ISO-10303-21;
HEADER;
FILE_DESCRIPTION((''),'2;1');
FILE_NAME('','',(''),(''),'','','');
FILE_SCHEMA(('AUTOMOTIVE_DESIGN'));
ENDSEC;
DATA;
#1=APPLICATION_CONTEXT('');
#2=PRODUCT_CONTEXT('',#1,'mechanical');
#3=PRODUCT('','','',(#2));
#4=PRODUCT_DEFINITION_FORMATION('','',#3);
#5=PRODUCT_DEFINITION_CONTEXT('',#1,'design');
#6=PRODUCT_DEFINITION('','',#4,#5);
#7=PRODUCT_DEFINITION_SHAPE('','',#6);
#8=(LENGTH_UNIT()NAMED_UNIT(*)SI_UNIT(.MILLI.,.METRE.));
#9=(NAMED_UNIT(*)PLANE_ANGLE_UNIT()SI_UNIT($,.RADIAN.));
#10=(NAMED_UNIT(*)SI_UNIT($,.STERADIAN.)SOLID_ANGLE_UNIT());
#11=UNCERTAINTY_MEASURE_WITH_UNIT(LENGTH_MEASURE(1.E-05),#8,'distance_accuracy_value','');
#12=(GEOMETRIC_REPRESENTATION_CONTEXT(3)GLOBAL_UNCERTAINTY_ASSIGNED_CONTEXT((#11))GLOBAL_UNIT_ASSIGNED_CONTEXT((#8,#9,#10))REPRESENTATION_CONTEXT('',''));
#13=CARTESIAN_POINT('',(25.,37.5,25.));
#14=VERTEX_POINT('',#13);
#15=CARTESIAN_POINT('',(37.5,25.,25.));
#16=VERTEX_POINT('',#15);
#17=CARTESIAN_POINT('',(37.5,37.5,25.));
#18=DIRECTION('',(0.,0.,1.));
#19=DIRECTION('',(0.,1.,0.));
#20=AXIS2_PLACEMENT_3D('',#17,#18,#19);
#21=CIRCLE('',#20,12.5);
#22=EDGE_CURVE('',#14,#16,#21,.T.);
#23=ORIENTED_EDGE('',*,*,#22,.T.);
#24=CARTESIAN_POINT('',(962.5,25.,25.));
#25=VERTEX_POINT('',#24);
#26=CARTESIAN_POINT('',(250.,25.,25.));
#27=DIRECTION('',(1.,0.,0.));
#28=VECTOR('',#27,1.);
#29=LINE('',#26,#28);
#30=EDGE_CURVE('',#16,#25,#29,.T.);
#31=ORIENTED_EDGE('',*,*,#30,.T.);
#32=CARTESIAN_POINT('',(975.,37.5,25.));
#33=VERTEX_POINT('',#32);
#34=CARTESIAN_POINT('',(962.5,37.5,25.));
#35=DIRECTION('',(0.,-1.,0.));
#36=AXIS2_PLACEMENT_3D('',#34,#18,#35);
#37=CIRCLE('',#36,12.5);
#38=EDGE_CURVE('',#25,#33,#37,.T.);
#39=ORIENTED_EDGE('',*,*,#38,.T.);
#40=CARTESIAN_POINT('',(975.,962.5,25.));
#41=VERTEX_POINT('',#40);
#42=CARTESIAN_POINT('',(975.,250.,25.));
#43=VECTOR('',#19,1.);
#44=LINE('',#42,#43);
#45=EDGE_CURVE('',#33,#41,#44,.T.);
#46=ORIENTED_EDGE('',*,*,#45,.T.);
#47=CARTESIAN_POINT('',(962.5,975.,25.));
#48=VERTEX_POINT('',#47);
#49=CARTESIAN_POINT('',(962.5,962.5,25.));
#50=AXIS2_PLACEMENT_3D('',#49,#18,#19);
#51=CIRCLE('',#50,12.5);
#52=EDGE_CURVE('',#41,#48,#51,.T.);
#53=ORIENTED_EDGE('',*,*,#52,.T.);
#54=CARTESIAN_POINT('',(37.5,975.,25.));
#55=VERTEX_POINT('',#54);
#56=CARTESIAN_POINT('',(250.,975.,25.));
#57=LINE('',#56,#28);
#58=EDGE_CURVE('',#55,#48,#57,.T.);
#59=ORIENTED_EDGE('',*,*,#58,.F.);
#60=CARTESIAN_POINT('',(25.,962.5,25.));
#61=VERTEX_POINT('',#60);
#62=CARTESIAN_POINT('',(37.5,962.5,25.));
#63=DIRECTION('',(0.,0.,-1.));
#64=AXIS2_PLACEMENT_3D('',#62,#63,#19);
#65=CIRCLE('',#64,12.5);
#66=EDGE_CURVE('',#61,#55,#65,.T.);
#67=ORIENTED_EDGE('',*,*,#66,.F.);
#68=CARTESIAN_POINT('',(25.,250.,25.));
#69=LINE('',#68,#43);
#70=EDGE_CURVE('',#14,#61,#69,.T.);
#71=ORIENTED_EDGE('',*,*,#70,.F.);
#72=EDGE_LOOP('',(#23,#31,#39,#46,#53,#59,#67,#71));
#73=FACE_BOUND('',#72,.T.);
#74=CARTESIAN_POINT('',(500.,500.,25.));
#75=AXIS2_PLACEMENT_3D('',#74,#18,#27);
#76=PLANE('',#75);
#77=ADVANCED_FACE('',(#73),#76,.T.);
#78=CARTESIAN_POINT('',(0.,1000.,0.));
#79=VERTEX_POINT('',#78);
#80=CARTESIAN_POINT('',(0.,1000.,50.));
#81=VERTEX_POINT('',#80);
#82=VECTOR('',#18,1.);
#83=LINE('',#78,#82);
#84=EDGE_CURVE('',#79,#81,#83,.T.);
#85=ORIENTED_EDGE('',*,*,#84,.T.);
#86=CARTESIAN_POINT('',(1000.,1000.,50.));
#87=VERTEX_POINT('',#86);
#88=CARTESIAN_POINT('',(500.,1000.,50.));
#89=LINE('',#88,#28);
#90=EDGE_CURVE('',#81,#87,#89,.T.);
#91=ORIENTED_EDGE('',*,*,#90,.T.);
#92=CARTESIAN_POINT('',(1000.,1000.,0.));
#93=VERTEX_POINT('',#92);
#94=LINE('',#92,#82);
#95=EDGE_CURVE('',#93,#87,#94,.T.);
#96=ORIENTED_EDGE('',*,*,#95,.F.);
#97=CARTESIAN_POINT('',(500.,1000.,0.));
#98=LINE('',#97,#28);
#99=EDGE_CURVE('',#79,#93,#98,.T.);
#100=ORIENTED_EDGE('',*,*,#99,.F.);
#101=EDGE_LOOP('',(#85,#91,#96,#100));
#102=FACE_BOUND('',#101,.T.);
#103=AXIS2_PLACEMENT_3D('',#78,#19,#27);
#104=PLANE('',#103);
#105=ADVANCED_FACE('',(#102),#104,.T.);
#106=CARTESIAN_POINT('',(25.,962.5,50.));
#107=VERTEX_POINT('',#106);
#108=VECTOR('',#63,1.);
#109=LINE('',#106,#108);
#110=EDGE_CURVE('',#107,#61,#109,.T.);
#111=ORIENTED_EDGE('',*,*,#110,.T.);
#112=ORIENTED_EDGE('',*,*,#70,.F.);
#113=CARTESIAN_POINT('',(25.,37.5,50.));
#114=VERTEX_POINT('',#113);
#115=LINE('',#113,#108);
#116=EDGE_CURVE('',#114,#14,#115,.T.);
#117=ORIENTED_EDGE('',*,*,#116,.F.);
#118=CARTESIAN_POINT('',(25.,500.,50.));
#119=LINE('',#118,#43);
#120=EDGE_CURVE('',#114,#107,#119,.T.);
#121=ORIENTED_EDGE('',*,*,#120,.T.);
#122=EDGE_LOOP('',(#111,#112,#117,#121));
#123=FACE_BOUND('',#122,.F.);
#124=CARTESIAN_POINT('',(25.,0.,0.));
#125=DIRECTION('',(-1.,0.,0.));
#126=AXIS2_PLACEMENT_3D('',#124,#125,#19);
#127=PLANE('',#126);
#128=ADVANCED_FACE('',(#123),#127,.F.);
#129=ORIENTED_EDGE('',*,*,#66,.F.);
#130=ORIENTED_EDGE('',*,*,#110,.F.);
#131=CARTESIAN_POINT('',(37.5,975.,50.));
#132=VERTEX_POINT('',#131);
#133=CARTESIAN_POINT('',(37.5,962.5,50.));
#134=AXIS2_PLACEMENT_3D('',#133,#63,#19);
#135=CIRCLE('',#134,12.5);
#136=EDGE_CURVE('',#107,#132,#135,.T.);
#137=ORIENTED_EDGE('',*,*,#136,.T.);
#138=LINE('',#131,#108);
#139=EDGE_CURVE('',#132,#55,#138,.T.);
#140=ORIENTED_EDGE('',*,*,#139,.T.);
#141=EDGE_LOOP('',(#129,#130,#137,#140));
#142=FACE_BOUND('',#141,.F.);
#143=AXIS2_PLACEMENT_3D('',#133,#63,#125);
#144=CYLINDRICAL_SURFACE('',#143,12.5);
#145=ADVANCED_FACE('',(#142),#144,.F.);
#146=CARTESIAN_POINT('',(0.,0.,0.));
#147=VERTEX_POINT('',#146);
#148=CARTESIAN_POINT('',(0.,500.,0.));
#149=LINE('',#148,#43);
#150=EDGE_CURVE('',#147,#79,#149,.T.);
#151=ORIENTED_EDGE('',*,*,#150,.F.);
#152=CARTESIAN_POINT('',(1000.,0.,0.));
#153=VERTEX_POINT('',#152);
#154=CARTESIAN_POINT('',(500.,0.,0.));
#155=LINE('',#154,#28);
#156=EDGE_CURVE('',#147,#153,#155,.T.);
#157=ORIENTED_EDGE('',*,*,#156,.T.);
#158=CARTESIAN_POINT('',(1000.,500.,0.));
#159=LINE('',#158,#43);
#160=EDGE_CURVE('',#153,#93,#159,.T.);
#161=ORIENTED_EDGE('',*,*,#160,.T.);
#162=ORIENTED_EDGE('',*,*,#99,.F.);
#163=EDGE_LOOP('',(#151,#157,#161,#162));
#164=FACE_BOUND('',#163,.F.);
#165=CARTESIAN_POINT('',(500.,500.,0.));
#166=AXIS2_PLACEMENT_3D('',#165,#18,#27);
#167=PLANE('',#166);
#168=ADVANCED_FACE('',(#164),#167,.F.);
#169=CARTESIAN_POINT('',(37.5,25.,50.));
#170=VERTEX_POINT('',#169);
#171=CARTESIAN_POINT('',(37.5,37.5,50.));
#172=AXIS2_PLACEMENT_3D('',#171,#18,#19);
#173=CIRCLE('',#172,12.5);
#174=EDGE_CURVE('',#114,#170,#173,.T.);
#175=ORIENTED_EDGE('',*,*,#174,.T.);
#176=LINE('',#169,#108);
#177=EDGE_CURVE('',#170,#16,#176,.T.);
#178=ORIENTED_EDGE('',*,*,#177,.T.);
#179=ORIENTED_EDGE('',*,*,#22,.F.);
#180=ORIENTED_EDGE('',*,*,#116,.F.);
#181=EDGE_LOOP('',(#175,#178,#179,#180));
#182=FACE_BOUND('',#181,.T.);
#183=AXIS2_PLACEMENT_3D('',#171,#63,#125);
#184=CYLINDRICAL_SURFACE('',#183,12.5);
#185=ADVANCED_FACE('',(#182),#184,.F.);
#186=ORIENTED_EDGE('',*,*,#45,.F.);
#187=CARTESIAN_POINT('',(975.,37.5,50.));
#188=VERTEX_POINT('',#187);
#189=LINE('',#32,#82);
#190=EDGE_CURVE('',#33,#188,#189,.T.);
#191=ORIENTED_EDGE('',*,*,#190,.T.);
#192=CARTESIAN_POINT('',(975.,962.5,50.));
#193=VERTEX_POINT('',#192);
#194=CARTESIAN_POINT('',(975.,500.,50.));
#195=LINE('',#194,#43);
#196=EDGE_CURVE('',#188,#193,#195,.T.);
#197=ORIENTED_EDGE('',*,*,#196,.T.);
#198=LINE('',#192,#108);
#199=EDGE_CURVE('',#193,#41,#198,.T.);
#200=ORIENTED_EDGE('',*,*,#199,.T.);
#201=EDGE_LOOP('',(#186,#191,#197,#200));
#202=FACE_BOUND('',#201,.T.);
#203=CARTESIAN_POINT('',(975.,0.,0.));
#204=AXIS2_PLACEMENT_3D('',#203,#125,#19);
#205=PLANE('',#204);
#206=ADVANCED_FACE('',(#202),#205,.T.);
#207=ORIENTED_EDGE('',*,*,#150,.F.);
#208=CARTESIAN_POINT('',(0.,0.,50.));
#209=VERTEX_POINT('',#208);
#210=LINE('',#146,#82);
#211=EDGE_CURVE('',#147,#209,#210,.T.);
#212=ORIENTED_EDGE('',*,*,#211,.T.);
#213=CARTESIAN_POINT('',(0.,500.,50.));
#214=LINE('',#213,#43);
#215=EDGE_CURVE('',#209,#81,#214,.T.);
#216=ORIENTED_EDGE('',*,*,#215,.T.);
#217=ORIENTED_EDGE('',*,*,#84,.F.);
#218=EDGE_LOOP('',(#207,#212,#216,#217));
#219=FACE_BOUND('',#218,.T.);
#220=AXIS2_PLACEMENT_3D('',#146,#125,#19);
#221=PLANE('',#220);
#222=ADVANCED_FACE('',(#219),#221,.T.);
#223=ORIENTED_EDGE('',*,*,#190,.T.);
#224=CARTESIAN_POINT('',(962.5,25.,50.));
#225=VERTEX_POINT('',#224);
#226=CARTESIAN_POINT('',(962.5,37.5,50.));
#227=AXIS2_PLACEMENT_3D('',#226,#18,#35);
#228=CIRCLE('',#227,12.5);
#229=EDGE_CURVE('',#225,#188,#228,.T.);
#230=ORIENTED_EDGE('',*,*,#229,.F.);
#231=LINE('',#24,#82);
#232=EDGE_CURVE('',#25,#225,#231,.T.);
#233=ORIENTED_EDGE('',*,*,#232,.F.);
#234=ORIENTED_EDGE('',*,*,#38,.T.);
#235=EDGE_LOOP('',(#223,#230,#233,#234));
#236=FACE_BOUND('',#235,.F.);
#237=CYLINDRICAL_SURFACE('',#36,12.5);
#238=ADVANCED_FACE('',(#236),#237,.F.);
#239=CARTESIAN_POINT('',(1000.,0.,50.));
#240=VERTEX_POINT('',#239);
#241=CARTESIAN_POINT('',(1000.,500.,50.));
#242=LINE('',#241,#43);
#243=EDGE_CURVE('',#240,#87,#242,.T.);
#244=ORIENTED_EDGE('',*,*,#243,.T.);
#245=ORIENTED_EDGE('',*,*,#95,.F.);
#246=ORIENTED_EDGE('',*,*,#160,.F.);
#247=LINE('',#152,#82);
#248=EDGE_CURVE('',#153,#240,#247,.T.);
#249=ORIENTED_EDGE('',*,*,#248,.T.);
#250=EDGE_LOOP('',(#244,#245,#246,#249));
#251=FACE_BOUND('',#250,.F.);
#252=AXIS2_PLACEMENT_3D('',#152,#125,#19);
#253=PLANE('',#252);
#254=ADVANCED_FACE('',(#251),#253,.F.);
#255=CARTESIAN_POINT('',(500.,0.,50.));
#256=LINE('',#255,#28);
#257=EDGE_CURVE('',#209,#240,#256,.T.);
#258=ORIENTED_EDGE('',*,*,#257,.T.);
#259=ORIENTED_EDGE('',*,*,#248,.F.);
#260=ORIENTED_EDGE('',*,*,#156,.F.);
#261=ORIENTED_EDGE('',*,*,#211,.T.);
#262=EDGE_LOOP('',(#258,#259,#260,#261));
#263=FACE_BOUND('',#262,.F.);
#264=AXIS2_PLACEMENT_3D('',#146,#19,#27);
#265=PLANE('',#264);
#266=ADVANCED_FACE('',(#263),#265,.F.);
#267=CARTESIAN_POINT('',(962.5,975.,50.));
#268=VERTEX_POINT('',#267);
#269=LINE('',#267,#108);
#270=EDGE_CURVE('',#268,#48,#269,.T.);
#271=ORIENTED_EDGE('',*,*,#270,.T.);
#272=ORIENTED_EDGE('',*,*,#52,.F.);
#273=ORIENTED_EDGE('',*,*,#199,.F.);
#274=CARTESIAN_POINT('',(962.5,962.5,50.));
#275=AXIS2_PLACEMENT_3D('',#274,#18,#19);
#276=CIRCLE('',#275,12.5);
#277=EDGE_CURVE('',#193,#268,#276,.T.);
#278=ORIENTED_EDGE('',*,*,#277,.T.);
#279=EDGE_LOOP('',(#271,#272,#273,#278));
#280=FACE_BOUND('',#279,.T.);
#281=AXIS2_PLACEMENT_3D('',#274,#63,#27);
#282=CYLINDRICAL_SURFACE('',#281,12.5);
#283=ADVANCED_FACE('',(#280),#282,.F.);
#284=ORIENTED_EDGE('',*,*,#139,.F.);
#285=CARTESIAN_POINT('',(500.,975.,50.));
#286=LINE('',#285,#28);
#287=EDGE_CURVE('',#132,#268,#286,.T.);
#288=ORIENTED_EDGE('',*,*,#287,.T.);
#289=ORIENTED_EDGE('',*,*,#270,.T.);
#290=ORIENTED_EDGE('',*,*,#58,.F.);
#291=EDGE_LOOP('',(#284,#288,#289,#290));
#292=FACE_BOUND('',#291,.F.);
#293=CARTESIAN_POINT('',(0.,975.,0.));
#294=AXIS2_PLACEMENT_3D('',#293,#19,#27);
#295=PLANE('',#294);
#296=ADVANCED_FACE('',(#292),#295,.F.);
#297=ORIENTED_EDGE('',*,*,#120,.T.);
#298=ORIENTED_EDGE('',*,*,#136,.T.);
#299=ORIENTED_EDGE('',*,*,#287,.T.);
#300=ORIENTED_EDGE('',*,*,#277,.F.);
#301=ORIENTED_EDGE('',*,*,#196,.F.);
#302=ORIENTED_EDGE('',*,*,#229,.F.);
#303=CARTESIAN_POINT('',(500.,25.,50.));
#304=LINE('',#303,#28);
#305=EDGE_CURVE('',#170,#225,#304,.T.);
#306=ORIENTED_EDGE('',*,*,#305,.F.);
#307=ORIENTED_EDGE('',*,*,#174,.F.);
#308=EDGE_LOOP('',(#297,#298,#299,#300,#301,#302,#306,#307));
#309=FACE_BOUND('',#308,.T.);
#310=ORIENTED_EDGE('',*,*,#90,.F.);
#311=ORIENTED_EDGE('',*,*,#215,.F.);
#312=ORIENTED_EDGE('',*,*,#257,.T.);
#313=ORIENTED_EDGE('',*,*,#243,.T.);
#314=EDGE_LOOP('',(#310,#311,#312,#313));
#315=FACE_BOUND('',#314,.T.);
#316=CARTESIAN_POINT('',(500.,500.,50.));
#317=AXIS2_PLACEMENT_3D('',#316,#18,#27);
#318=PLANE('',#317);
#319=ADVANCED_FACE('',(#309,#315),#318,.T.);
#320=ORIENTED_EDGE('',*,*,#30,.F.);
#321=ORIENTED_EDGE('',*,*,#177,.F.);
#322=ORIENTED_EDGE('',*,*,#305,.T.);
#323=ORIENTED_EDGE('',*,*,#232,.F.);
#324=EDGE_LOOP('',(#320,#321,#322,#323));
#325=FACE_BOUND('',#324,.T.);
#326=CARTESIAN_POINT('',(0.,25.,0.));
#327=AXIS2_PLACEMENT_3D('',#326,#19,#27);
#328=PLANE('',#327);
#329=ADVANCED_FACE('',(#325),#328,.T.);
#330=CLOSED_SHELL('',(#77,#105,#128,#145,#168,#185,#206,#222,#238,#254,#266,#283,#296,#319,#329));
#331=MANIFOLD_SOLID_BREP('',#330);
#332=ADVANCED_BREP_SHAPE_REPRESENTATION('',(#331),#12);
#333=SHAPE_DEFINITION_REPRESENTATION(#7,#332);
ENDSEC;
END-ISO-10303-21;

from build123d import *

# Parameters (mm, degrees)
F0_W     = 1000
F0_H     = 1000
F1_DEPTH = 50
F2_T     = -25
F3_R     = 12.5


with BuildPart() as f1:
    # F0 (on Top) → F1 (new body)
    with BuildSketch(Plane.XY):
        with Locations((500, 500)):
            Rectangle(F0_W, F0_H)
    extrude(amount=F1_DEPTH)

    # F2
    f2_openings = [f1.faces().sort_by_distance(p)[0] for p in [
        (500, 500, 50),
    ]]
    offset(amount=F2_T, openings=f2_openings)

    # F3
    f3_edges = [f1.edges().sort_by_distance(p)[0] for p in [
        (25, 975, 37.5),
        (975, 975, 37.5),
        (975, 25, 37.5),
        (25, 25, 37.5),
    ]]
    fillet(f3_edges, radius=F3_R)


solid = f1.part
